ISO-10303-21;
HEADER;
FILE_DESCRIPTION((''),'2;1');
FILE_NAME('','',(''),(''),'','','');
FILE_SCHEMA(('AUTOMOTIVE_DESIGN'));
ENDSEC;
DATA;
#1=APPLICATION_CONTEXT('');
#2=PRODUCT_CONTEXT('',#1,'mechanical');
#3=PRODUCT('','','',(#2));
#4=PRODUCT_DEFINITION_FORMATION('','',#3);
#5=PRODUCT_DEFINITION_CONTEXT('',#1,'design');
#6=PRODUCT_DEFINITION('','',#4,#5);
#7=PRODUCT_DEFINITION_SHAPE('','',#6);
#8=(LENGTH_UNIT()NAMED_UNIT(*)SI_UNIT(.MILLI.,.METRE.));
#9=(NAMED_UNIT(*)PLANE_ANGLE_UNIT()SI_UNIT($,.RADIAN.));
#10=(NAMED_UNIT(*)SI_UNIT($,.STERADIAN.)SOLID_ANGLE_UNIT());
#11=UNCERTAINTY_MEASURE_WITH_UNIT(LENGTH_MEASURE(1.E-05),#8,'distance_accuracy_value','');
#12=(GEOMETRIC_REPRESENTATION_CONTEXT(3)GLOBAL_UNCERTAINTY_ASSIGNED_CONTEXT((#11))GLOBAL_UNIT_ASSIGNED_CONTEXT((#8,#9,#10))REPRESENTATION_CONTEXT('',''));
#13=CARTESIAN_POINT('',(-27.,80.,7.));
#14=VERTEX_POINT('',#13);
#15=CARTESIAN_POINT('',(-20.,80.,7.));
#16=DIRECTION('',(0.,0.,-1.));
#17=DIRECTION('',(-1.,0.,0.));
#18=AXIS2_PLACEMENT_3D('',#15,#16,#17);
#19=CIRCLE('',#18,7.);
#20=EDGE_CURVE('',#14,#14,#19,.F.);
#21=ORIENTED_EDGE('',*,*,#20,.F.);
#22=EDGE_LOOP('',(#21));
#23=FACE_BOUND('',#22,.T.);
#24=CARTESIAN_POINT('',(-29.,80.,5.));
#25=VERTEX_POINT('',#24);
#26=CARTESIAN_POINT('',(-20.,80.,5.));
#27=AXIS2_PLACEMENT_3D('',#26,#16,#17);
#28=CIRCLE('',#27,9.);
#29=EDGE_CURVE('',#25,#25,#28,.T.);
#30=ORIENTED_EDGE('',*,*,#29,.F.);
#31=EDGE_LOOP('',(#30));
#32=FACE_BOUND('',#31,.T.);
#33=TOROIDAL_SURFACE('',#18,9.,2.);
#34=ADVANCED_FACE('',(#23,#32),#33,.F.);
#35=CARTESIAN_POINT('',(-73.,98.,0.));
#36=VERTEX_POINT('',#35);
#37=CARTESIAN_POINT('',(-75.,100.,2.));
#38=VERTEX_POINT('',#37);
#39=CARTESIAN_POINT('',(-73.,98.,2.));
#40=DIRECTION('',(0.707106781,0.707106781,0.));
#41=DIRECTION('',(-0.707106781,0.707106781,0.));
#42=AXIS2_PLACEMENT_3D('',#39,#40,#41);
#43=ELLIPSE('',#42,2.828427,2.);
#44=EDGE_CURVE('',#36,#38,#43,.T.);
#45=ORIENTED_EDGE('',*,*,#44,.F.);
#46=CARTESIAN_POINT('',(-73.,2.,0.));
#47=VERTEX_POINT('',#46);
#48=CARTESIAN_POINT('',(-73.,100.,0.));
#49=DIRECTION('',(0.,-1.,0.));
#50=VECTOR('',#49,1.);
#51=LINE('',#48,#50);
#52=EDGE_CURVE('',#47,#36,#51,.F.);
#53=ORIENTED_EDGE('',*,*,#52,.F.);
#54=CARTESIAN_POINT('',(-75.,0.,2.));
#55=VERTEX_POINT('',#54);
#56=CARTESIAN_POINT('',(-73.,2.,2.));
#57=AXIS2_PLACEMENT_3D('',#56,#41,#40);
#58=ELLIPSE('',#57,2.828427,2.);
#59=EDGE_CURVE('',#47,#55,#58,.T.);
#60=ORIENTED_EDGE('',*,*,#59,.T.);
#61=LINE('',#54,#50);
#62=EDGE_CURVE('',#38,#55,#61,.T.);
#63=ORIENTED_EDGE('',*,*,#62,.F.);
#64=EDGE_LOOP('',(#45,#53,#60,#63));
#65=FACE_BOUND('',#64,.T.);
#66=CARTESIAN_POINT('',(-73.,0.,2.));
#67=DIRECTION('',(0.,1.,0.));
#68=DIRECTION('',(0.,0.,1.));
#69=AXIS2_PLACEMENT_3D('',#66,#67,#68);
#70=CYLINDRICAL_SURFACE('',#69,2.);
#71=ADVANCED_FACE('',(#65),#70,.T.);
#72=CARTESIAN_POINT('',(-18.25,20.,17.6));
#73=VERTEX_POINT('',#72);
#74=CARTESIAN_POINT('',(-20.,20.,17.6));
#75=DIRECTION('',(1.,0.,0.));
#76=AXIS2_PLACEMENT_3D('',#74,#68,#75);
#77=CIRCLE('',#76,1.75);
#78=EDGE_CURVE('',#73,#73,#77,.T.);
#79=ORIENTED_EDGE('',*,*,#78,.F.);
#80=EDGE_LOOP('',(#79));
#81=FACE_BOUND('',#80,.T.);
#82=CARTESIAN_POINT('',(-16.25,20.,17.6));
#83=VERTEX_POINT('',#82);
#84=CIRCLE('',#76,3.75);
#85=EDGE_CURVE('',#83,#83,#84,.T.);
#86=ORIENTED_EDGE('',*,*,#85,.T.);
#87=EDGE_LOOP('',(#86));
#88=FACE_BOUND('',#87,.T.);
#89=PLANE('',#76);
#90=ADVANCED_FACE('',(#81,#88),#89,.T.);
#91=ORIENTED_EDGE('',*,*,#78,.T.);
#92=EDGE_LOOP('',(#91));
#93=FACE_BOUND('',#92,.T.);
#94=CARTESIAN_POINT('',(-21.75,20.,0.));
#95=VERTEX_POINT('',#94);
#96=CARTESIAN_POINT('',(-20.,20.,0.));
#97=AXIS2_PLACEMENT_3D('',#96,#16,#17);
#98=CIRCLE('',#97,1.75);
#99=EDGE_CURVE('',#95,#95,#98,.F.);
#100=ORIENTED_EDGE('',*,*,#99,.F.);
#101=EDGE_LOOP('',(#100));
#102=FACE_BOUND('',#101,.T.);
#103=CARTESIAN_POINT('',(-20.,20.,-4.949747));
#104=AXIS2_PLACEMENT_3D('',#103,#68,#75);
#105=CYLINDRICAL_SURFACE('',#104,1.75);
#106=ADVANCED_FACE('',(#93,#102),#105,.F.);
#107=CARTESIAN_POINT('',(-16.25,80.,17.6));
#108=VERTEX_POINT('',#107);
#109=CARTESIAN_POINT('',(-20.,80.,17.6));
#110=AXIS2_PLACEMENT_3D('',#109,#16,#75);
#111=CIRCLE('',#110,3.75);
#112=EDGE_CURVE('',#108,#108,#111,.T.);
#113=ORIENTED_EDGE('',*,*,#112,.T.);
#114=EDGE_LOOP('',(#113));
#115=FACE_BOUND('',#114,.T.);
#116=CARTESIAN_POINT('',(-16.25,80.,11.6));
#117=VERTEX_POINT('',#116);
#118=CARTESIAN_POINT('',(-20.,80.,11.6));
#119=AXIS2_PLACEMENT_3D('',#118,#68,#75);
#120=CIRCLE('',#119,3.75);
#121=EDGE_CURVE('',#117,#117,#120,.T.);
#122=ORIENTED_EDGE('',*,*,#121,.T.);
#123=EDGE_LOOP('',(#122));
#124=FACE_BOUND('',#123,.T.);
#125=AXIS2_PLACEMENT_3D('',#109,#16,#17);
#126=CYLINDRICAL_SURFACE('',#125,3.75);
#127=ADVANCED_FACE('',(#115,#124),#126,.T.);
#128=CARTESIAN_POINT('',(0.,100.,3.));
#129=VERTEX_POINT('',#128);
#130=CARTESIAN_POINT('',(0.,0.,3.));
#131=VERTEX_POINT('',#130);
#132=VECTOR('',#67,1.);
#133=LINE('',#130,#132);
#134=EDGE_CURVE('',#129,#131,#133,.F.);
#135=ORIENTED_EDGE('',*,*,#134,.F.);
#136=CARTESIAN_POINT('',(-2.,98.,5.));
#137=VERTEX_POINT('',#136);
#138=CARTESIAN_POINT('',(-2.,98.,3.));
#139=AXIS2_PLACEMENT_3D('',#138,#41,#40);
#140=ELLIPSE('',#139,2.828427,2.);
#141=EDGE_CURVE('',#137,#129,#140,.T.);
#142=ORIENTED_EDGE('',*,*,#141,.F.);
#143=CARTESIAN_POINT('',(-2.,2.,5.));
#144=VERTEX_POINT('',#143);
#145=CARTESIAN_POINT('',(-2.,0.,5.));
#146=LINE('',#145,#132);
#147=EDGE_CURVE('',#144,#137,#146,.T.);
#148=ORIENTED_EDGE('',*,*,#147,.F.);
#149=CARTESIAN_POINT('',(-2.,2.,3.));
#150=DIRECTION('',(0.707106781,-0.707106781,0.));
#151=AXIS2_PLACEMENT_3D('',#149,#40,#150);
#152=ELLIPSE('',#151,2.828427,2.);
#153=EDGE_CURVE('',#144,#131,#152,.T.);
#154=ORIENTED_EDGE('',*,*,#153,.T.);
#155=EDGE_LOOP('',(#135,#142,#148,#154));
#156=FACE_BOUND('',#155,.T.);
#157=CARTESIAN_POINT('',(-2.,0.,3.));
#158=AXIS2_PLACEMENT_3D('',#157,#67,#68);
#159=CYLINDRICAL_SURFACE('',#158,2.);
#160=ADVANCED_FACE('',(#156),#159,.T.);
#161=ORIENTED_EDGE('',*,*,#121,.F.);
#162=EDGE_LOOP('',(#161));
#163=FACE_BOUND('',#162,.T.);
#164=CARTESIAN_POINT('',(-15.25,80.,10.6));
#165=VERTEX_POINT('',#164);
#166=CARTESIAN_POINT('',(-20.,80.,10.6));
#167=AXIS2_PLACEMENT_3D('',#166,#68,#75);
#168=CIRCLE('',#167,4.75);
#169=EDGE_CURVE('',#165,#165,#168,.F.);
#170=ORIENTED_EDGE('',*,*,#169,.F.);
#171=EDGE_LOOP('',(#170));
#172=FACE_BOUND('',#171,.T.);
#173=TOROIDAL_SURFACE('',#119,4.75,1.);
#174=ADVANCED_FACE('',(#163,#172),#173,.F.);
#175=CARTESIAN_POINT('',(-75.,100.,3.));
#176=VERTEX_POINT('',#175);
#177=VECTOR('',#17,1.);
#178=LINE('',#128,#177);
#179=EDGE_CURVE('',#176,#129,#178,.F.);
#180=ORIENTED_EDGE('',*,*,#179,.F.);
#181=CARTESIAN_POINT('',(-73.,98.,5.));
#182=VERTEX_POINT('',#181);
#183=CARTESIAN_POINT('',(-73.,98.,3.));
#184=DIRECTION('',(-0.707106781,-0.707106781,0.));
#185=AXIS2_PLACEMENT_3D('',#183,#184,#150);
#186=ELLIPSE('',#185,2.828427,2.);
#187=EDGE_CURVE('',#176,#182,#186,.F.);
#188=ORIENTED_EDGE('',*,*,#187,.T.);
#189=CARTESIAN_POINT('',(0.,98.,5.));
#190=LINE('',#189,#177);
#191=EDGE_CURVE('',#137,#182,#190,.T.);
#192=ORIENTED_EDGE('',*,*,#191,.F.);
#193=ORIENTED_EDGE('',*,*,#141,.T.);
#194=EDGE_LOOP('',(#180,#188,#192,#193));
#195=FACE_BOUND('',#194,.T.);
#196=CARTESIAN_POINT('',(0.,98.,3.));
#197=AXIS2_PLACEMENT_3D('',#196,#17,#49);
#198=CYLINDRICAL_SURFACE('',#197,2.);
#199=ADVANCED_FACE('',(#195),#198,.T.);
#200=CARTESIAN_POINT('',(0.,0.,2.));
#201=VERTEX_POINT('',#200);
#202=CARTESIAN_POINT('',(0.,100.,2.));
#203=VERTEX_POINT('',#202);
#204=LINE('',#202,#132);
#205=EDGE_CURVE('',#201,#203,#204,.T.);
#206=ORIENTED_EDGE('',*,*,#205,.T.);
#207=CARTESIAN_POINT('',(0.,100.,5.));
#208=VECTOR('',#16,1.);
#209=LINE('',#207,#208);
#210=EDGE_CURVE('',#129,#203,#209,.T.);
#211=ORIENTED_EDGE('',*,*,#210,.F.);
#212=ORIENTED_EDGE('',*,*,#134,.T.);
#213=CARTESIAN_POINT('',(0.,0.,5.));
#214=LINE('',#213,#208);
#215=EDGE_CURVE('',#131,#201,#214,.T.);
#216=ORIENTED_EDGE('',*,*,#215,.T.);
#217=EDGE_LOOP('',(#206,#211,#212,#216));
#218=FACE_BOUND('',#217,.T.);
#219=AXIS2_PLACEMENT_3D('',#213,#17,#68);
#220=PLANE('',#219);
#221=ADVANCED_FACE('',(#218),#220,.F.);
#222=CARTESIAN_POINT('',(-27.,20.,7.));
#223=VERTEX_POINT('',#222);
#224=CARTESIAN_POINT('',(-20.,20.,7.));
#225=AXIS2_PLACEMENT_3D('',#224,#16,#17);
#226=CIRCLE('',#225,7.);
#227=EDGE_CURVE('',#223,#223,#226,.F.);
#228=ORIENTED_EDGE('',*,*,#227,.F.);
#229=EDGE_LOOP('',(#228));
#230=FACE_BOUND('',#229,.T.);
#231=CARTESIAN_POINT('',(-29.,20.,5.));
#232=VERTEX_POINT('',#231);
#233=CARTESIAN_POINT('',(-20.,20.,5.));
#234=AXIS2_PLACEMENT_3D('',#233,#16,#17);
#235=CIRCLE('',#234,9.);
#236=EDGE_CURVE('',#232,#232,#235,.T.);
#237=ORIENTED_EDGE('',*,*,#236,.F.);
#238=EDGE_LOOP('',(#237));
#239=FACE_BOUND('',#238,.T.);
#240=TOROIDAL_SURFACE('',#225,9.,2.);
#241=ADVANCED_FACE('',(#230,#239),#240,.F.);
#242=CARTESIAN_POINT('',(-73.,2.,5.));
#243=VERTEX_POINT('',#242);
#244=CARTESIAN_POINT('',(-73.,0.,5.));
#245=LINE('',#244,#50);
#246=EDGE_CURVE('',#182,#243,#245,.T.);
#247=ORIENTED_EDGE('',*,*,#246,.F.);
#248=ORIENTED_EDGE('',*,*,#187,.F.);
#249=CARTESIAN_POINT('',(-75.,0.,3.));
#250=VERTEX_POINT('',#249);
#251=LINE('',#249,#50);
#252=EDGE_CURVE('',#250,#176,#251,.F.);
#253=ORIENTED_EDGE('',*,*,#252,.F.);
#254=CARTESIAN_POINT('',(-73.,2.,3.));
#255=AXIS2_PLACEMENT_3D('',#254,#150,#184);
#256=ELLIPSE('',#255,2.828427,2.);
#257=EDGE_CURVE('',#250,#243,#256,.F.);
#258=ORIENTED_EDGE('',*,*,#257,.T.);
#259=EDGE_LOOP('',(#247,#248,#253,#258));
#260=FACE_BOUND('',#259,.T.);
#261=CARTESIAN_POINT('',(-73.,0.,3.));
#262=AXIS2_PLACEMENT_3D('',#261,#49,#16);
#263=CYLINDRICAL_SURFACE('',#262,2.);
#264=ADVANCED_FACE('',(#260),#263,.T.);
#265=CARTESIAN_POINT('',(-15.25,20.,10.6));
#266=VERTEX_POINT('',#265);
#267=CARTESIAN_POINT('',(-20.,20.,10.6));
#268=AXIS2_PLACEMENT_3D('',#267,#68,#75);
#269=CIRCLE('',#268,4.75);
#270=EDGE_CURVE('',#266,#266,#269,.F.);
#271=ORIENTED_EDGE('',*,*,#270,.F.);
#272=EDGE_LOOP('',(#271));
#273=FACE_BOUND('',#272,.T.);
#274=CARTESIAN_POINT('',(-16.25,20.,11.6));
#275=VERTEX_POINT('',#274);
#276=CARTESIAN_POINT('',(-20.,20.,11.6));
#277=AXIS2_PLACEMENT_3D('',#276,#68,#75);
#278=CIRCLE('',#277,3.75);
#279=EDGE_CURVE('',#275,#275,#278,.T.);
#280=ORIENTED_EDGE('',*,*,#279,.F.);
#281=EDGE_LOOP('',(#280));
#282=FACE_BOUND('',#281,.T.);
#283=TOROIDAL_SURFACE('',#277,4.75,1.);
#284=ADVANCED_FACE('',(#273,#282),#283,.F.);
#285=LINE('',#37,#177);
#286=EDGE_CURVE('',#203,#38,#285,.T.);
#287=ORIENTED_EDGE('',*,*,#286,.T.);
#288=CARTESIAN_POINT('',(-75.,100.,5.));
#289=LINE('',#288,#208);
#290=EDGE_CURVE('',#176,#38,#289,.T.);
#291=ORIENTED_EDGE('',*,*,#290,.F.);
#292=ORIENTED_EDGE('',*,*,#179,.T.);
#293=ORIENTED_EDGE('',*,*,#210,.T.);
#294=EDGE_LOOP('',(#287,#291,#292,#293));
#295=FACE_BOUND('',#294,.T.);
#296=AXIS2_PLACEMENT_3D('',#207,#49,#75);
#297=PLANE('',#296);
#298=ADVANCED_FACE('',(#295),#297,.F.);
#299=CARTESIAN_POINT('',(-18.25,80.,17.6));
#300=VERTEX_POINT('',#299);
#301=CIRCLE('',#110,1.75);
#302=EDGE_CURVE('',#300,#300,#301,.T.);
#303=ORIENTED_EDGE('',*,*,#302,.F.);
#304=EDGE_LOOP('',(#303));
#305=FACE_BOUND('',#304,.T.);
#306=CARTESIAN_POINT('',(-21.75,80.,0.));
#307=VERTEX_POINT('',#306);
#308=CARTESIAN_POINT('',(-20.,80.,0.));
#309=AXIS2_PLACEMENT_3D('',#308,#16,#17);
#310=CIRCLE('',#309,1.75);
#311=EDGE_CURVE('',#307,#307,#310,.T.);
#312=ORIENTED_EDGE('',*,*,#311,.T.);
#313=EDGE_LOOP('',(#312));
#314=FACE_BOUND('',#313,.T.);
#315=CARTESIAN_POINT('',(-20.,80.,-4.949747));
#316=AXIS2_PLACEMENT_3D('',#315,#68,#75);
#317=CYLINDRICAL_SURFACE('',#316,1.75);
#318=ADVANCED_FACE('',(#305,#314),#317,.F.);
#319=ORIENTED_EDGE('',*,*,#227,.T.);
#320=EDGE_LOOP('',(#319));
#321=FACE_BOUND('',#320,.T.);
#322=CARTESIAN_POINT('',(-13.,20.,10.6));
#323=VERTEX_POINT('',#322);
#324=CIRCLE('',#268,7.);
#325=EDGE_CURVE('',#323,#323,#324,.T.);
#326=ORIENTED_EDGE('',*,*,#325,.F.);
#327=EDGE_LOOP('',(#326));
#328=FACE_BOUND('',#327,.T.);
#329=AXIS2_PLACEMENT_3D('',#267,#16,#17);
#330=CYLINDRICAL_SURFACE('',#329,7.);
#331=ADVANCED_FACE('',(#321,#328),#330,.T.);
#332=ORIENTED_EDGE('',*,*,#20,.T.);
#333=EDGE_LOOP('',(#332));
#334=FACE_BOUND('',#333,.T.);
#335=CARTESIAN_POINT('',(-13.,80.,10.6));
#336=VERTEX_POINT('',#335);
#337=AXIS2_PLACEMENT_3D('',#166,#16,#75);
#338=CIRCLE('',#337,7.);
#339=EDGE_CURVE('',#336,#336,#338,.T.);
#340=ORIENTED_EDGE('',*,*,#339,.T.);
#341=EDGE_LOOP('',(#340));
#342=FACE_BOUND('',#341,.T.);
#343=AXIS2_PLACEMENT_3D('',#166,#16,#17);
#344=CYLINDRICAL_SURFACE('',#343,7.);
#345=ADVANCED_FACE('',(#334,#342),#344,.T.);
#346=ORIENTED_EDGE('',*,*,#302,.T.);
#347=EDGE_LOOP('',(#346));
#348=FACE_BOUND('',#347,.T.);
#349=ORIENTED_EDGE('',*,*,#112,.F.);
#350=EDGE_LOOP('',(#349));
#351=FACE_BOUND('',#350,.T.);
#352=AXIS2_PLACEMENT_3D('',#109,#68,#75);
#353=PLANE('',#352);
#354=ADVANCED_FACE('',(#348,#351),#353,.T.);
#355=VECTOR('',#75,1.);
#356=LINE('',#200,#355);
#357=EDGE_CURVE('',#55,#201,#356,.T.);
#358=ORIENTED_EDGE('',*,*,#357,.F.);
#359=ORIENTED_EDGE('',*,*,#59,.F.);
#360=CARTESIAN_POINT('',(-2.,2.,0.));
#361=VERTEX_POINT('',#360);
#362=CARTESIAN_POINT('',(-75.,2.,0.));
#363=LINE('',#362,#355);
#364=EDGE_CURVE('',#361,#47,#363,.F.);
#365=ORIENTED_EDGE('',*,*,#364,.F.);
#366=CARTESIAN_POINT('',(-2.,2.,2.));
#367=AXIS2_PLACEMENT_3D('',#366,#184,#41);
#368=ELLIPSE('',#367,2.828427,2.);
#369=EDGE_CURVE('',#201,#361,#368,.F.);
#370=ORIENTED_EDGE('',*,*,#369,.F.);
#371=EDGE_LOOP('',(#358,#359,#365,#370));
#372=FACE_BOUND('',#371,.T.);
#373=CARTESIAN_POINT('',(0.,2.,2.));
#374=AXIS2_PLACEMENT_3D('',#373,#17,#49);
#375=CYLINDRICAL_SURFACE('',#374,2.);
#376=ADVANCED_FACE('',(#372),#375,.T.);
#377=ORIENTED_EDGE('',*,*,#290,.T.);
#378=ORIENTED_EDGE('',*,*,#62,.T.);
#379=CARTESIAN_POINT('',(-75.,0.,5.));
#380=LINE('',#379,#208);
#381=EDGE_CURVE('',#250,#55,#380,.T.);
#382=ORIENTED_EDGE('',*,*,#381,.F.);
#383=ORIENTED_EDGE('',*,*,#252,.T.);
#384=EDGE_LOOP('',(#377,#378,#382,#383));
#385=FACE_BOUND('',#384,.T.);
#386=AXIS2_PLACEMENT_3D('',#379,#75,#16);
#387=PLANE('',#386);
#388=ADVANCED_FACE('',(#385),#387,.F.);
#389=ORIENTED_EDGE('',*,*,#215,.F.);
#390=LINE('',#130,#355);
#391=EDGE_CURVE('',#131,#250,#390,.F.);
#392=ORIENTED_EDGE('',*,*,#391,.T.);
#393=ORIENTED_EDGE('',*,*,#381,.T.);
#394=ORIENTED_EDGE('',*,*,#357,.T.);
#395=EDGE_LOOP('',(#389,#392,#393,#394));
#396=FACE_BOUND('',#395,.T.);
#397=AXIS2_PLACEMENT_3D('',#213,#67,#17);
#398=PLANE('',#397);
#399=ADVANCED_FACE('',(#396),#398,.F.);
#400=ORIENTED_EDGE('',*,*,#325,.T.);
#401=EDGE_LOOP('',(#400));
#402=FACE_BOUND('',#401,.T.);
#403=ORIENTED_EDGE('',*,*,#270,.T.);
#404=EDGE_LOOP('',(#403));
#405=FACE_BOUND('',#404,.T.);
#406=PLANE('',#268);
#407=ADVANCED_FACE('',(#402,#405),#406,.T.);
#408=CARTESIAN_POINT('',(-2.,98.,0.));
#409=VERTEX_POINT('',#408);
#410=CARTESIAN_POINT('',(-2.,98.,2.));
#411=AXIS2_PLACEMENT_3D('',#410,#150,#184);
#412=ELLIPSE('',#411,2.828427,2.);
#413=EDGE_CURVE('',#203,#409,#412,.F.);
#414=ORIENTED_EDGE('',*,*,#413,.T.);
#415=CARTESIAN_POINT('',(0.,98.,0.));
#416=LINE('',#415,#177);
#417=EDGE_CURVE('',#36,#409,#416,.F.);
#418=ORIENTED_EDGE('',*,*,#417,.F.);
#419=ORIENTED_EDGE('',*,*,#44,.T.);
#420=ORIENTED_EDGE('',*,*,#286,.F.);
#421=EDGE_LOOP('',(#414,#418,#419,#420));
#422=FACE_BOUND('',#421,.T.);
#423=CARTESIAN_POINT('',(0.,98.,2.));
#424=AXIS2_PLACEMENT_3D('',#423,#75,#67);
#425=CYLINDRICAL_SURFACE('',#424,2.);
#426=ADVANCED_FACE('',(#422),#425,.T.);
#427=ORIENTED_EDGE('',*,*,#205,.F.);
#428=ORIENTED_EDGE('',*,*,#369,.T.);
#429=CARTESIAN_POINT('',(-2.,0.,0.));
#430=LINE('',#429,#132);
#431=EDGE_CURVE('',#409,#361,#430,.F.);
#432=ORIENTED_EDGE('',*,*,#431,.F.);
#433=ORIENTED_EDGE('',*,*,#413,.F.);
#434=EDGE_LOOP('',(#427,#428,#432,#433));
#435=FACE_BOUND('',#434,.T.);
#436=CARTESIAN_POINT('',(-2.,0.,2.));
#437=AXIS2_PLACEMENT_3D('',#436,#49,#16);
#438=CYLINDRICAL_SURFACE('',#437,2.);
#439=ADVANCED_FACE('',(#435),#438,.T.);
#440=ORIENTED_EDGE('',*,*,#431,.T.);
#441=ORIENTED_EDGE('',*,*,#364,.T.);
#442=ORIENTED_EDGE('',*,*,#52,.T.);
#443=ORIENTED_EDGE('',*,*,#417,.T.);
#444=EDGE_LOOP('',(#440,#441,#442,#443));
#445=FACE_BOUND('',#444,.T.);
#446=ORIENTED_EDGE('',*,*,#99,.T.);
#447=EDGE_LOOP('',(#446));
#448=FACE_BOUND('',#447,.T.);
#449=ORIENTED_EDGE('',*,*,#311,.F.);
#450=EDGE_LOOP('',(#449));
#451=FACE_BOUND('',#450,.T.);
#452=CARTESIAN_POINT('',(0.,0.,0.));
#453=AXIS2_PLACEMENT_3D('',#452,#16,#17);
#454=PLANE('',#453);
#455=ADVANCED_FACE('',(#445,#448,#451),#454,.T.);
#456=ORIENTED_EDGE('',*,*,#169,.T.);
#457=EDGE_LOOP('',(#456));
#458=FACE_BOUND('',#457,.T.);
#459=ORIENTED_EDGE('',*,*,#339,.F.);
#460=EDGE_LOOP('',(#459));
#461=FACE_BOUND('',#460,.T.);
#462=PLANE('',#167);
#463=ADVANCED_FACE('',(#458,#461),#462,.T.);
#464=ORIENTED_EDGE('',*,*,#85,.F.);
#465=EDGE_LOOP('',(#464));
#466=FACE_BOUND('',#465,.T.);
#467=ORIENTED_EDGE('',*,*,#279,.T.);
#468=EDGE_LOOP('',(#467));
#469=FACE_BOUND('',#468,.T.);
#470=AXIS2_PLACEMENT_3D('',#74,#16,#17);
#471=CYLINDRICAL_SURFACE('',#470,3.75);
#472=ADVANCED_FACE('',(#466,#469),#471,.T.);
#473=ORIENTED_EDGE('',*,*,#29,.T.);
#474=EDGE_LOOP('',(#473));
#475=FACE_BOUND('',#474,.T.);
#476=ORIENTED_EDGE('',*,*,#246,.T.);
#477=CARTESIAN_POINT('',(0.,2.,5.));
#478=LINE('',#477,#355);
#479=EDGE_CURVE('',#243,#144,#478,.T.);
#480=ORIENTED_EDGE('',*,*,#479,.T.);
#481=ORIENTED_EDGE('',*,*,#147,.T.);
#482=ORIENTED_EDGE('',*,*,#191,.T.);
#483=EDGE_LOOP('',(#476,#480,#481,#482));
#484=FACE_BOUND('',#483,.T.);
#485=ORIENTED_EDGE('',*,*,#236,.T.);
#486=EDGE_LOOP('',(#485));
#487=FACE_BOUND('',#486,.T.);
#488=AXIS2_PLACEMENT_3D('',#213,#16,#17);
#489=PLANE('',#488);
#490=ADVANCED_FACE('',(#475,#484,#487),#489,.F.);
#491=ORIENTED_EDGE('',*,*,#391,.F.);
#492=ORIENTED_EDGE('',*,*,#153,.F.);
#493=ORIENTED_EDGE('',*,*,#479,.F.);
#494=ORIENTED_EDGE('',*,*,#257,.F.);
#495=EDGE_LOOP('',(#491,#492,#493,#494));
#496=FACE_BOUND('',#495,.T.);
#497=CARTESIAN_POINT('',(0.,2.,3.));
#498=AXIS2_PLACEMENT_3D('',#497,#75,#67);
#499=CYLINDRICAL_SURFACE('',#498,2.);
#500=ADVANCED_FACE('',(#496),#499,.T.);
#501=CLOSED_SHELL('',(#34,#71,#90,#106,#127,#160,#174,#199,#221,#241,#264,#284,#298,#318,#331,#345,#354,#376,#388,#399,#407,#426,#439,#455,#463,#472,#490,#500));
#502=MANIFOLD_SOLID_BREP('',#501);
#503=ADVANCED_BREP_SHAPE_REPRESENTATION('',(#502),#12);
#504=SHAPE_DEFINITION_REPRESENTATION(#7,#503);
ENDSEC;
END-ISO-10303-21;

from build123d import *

# Parameters (mm, degrees)
SKETCH1_W               = 100
SKETCH1_H               = 75
PLATE_DEPTH             = 5
SKETCH2_R               = 7
BEARING_SUPPORT_DEPTH   = 5.6
SKETCH3_R               = 3.75
BEARING_PIN_DEPTH       = 7
SKETCH4_R               = 1.75
SCREW_THROUGHHOLE_DEPTH = 17.6
FILLET1_R               = 2
FILLET2_R               = 1


with BuildPart() as part:
    # Sketch1 → Plate (new body)
    with BuildSketch(Plane(origin=(0, 0, 0), x_dir=(0, 1, 0), z_dir=(0, 0, 1))):
        with Locations((50, 37.5)):
            Rectangle(SKETCH1_W, SKETCH1_H)
    extrude(amount=PLATE_DEPTH)

    # Sketch2 → Bearing Support (add)
    with BuildSketch(Plane.XY.offset(5)):
        with Locations(Location((-20, 20, 0), (0, 0, 180))):
            Circle(SKETCH2_R)
    bearing_support = extrude(amount=BEARING_SUPPORT_DEPTH)

    # Sketch3 → Bearing Pin (add)
    with BuildSketch(Plane.XY.offset(10.6)):
        with Locations((-20, 20)):
            Circle(SKETCH3_R)
    bearing_pin = extrude(amount=BEARING_PIN_DEPTH)

    # Sketch4 → Screw ThroughHole (cut)
    with BuildSketch(Plane.XY.offset(17.6)):
        with Locations((-20, 20)):
            Circle(SKETCH4_R)
    screw_throughhole = extrude(amount=-SCREW_THROUGHHOLE_DEPTH, mode=Mode.SUBTRACT)

    # Mirror1: Bearing Support, Bearing Pin, Screw ThroughHole across plane
    add(bearing_support.mirror(Plane(origin=(0, 50, 0), x_dir=(0, 0, 1), z_dir=(0, -1, 0))))
    add(bearing_pin.mirror(Plane(origin=(0, 50, 0), x_dir=(0, 0, 1), z_dir=(0, -1, 0))))
    add(screw_throughhole.mirror(Plane(origin=(0, 50, 0), x_dir=(0, 0, 1), z_dir=(0, -1, 0))), mode=Mode.SUBTRACT)

    # Fillet1
    fillet1_edges = [part.edges().sort_by_distance(p)[0] for p in [
        (-37.5, 100, 5),
        (-13, 20, 5),
        (-75, 50, 5),
        (-13, 80, 5),
        (-37.5, 0, 5),
        (-75, 50, 0),
        (-37.5, 100, 0),
        (0, 50, 0),
        (-37.5, 0, 0),
        (0, 50, 5),
    ]]
    fillet(fillet1_edges, radius=FILLET1_R)

    # Fillet2
    fillet2_edges = [part.edges().sort_by_distance(p)[0] for p in [
        (-23.75, 20, 10.6),
        (-23.75, 80, 10.6),
    ]]
    fillet(fillet2_edges, radius=FILLET2_R)


solid = part.part
